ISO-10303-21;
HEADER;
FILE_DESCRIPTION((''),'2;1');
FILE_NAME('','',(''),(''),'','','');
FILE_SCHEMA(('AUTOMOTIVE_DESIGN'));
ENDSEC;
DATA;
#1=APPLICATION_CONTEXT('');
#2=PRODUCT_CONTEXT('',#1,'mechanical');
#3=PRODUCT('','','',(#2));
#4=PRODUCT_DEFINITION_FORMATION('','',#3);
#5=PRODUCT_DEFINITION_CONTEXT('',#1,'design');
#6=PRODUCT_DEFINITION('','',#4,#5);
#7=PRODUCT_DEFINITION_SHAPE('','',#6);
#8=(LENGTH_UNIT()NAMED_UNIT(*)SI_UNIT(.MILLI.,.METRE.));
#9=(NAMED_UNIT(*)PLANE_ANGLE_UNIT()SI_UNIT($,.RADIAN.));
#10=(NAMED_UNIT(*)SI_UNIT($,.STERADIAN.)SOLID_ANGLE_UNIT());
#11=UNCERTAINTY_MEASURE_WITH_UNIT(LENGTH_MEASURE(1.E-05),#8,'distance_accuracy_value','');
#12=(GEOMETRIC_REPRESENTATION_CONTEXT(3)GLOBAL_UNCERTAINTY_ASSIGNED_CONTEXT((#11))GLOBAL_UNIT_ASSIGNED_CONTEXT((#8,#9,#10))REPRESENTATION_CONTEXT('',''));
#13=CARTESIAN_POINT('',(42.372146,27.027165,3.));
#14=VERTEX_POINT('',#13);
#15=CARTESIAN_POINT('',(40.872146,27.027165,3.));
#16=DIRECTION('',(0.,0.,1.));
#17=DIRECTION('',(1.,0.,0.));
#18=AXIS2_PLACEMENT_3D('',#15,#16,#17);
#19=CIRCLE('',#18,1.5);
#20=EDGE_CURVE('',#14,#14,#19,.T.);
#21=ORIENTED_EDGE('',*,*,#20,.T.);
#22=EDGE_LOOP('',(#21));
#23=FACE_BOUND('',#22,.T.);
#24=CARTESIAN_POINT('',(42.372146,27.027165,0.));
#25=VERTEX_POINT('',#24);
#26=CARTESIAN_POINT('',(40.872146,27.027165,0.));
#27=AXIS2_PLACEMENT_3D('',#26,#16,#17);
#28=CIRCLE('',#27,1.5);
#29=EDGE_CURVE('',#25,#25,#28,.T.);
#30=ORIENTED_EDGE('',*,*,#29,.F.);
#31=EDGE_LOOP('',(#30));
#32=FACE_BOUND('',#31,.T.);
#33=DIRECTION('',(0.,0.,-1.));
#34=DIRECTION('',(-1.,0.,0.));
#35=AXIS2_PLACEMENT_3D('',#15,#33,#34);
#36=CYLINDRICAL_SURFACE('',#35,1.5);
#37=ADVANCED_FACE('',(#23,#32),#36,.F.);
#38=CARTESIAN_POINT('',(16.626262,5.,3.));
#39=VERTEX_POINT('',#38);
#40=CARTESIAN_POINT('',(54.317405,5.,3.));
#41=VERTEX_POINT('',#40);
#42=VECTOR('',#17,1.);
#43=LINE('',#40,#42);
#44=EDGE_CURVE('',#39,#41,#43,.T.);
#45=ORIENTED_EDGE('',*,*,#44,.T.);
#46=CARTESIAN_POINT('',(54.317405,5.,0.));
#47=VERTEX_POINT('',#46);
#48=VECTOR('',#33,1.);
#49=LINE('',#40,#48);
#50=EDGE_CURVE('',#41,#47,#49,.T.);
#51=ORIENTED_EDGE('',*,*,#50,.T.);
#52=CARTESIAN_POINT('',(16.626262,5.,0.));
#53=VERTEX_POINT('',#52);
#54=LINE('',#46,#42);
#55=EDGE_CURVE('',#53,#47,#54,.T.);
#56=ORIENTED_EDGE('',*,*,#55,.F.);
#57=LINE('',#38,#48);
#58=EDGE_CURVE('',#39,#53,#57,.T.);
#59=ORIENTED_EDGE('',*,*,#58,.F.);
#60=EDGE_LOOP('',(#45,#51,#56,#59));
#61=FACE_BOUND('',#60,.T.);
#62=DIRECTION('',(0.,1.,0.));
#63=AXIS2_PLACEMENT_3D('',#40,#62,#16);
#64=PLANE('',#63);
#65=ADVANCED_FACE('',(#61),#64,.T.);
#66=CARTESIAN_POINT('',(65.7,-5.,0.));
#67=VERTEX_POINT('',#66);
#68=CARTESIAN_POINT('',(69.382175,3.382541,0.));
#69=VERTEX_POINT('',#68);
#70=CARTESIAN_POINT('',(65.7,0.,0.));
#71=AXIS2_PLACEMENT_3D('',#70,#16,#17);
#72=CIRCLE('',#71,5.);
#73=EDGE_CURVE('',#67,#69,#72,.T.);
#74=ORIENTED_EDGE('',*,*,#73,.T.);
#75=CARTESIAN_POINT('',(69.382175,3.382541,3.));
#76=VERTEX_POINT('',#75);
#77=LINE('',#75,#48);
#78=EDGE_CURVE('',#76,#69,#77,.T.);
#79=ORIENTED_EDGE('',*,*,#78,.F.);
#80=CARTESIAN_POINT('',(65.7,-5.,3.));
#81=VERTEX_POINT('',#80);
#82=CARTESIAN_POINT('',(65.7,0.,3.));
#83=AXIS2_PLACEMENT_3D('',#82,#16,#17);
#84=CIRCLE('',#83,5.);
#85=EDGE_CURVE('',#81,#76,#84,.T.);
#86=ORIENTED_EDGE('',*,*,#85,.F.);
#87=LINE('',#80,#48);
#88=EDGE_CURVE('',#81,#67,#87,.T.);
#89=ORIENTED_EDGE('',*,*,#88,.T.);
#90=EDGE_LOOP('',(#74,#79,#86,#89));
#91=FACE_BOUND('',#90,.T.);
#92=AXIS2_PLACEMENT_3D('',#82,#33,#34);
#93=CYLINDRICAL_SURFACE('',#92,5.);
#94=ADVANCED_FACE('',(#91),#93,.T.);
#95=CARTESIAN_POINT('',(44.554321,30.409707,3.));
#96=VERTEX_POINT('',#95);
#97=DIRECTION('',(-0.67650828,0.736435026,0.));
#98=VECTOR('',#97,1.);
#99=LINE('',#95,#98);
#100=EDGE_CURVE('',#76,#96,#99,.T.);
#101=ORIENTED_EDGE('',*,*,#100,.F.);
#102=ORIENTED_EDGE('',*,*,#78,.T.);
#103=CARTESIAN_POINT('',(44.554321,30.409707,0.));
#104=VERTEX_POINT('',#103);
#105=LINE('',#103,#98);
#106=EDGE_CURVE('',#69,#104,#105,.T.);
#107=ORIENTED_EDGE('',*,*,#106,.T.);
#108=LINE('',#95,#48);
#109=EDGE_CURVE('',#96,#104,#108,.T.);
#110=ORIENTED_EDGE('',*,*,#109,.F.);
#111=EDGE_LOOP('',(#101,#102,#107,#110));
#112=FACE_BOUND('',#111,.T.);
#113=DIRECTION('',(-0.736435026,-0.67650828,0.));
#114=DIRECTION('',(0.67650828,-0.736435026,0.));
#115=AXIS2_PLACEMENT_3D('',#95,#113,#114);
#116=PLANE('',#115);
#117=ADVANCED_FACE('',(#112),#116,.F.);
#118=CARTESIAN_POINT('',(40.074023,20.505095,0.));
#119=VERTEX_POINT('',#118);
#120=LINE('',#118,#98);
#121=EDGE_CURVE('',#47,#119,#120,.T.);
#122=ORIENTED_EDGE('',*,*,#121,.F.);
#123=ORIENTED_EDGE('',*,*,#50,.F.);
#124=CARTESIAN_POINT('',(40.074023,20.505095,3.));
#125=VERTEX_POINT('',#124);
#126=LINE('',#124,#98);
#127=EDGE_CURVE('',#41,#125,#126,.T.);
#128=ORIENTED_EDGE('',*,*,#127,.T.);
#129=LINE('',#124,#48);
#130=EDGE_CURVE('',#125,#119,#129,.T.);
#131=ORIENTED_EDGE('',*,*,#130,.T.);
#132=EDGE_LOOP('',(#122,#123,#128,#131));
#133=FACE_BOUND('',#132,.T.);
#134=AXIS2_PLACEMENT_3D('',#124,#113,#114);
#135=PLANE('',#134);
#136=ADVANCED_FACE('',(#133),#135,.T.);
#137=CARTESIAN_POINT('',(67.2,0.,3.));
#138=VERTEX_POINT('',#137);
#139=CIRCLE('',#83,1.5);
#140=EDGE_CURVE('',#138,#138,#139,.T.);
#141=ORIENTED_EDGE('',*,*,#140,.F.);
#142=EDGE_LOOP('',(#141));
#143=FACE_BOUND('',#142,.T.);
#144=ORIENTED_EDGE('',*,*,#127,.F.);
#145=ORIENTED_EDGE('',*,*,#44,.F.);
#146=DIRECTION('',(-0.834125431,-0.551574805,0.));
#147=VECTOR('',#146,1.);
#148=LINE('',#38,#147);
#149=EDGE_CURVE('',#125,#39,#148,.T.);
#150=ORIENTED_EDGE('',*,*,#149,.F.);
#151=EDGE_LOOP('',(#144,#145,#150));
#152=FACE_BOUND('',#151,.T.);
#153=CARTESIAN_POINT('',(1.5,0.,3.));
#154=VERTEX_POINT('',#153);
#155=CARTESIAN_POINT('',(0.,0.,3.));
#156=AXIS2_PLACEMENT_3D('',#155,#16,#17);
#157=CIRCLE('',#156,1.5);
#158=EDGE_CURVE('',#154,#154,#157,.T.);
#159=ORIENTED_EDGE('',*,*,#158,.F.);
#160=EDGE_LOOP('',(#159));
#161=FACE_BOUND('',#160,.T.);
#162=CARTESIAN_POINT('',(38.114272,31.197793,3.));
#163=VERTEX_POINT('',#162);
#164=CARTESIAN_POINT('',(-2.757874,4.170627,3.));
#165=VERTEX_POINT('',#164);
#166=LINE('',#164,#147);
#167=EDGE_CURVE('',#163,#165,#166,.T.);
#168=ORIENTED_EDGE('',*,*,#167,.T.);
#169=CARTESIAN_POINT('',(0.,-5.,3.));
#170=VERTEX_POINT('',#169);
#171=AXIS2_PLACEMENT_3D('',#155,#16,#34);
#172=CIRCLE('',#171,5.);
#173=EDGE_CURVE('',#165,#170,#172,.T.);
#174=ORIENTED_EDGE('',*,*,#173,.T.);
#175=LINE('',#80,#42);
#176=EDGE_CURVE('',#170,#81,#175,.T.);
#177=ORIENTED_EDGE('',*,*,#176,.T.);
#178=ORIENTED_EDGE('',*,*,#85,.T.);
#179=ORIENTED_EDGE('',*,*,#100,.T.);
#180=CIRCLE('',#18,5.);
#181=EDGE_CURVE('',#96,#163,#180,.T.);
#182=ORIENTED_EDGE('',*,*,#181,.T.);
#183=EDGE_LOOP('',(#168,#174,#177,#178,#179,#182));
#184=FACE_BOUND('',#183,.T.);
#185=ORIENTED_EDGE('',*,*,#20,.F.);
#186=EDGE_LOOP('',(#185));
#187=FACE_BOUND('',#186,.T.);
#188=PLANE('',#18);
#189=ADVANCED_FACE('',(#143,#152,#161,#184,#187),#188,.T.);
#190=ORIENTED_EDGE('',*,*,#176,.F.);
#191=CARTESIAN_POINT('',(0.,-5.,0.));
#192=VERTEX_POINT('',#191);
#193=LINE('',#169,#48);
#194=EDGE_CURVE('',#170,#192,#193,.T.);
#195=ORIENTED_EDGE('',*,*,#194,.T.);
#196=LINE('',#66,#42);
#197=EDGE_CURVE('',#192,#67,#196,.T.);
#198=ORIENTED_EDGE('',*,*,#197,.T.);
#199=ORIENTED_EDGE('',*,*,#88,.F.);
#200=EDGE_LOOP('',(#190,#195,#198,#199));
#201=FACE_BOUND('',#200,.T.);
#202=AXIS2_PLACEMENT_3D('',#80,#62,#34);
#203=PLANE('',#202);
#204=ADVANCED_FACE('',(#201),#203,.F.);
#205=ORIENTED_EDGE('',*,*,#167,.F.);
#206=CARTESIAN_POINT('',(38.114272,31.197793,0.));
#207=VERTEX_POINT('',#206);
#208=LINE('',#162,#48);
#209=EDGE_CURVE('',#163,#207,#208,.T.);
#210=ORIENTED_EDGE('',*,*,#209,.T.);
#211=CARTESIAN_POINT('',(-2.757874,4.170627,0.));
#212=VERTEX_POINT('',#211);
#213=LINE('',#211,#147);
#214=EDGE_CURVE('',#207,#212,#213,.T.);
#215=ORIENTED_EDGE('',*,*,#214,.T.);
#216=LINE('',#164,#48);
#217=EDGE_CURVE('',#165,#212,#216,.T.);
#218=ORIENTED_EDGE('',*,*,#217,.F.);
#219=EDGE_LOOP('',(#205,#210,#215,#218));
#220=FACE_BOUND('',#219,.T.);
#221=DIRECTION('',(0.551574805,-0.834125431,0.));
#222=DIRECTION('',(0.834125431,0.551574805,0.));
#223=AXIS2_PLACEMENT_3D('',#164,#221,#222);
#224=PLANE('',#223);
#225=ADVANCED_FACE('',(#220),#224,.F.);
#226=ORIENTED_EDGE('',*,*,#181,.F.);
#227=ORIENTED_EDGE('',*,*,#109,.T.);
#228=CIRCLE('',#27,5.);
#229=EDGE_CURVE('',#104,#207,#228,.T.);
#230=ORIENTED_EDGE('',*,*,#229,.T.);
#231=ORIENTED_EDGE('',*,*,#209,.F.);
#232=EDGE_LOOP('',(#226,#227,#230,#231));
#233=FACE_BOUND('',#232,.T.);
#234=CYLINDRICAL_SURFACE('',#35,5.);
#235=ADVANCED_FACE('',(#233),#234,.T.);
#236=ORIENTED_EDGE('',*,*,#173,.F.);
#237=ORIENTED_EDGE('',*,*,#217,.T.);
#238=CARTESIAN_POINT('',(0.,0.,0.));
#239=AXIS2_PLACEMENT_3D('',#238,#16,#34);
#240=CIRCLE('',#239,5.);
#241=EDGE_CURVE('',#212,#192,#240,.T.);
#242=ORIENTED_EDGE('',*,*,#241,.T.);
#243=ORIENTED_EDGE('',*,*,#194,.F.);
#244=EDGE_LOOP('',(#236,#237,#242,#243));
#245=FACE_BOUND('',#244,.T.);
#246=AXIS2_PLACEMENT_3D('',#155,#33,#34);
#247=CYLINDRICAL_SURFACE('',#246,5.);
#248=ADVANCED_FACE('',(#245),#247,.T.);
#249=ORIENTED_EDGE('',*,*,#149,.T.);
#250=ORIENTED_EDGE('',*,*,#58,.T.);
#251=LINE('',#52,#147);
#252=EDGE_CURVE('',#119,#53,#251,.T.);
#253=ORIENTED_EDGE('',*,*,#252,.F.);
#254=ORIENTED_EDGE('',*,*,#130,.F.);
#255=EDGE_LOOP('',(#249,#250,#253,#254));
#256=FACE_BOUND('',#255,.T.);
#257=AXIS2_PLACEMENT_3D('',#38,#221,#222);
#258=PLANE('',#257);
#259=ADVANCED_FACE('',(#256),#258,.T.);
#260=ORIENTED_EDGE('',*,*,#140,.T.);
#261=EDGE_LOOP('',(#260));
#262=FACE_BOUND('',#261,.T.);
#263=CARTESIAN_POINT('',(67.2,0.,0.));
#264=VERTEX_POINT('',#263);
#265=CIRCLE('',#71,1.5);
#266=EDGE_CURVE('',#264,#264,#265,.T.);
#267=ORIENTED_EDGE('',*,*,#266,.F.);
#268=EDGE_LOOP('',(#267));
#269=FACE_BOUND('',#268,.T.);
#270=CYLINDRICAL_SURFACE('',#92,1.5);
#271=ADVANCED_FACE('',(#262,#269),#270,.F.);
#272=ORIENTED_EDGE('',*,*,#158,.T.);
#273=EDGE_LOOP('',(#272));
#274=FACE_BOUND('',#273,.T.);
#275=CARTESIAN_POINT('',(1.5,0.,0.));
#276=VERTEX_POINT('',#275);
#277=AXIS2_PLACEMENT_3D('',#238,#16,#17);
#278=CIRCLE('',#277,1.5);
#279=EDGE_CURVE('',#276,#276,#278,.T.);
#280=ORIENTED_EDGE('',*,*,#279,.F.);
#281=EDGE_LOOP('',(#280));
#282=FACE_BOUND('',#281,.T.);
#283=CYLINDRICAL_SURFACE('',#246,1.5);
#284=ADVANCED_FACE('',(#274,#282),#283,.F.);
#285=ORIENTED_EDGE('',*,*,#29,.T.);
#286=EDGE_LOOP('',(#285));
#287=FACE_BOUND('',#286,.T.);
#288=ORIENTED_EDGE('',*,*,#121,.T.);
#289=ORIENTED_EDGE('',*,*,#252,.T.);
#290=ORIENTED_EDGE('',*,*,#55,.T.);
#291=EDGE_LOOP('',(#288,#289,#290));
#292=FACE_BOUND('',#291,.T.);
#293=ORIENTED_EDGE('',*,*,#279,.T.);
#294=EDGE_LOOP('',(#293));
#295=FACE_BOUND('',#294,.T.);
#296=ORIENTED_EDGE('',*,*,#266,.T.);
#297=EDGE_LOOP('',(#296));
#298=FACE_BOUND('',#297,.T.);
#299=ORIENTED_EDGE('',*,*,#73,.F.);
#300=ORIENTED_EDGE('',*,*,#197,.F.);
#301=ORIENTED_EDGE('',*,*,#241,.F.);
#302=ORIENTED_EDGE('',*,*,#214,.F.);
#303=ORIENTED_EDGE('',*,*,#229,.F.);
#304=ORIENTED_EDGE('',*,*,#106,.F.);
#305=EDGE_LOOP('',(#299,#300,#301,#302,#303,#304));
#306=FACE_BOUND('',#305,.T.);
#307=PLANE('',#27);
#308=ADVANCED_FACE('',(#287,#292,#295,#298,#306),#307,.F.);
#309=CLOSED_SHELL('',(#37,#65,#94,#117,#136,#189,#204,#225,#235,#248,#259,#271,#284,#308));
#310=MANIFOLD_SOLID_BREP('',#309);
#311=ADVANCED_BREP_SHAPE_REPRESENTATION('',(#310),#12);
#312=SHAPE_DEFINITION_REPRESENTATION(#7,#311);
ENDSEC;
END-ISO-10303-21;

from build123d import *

# Parameters (mm, degrees)
SKETCH1_R           = 1.5
BOSS_EXTRUDE1_DEPTH = 3


with BuildPart() as part:
    # Sketch1 → Boss-Extrude1 (new body)
    with BuildSketch(Plane.XY):
        with BuildLine():
            Line((-2.757874024, 4.170627155), (38.114272094, 31.197792594))
            ThreePointArc((38.114272094, 31.197792594), (41.479478747, 31.990143081), (44.554321247, 30.409706839))
            Line((44.554321247, 30.409706839), (69.382175128, 3.382541401))
            ThreePointArc((69.382175128, 3.382541401), (70.277810995, -2.01088202), (65.7, -5))
            Line((65.7, -5), (0, -5))
            ThreePointArc((0, -5), (-4.788169576, -1.439941705), (-2.757874024, 4.170627155))
        make_face()
        with Locations((40.872146119, 27.027165439)):
            Circle(SKETCH1_R, mode=Mode.SUBTRACT)
        Circle(SKETCH1_R, mode=Mode.SUBTRACT)
        with Locations((65.7, 0)):
            Circle(SKETCH1_R, mode=Mode.SUBTRACT)
        Polygon((40.074023256, 20.505095423), (54.317405325, 5), (16.626261885, 5), align=None, mode=Mode.SUBTRACT)
    extrude(amount=BOSS_EXTRUDE1_DEPTH)


solid = part.part
